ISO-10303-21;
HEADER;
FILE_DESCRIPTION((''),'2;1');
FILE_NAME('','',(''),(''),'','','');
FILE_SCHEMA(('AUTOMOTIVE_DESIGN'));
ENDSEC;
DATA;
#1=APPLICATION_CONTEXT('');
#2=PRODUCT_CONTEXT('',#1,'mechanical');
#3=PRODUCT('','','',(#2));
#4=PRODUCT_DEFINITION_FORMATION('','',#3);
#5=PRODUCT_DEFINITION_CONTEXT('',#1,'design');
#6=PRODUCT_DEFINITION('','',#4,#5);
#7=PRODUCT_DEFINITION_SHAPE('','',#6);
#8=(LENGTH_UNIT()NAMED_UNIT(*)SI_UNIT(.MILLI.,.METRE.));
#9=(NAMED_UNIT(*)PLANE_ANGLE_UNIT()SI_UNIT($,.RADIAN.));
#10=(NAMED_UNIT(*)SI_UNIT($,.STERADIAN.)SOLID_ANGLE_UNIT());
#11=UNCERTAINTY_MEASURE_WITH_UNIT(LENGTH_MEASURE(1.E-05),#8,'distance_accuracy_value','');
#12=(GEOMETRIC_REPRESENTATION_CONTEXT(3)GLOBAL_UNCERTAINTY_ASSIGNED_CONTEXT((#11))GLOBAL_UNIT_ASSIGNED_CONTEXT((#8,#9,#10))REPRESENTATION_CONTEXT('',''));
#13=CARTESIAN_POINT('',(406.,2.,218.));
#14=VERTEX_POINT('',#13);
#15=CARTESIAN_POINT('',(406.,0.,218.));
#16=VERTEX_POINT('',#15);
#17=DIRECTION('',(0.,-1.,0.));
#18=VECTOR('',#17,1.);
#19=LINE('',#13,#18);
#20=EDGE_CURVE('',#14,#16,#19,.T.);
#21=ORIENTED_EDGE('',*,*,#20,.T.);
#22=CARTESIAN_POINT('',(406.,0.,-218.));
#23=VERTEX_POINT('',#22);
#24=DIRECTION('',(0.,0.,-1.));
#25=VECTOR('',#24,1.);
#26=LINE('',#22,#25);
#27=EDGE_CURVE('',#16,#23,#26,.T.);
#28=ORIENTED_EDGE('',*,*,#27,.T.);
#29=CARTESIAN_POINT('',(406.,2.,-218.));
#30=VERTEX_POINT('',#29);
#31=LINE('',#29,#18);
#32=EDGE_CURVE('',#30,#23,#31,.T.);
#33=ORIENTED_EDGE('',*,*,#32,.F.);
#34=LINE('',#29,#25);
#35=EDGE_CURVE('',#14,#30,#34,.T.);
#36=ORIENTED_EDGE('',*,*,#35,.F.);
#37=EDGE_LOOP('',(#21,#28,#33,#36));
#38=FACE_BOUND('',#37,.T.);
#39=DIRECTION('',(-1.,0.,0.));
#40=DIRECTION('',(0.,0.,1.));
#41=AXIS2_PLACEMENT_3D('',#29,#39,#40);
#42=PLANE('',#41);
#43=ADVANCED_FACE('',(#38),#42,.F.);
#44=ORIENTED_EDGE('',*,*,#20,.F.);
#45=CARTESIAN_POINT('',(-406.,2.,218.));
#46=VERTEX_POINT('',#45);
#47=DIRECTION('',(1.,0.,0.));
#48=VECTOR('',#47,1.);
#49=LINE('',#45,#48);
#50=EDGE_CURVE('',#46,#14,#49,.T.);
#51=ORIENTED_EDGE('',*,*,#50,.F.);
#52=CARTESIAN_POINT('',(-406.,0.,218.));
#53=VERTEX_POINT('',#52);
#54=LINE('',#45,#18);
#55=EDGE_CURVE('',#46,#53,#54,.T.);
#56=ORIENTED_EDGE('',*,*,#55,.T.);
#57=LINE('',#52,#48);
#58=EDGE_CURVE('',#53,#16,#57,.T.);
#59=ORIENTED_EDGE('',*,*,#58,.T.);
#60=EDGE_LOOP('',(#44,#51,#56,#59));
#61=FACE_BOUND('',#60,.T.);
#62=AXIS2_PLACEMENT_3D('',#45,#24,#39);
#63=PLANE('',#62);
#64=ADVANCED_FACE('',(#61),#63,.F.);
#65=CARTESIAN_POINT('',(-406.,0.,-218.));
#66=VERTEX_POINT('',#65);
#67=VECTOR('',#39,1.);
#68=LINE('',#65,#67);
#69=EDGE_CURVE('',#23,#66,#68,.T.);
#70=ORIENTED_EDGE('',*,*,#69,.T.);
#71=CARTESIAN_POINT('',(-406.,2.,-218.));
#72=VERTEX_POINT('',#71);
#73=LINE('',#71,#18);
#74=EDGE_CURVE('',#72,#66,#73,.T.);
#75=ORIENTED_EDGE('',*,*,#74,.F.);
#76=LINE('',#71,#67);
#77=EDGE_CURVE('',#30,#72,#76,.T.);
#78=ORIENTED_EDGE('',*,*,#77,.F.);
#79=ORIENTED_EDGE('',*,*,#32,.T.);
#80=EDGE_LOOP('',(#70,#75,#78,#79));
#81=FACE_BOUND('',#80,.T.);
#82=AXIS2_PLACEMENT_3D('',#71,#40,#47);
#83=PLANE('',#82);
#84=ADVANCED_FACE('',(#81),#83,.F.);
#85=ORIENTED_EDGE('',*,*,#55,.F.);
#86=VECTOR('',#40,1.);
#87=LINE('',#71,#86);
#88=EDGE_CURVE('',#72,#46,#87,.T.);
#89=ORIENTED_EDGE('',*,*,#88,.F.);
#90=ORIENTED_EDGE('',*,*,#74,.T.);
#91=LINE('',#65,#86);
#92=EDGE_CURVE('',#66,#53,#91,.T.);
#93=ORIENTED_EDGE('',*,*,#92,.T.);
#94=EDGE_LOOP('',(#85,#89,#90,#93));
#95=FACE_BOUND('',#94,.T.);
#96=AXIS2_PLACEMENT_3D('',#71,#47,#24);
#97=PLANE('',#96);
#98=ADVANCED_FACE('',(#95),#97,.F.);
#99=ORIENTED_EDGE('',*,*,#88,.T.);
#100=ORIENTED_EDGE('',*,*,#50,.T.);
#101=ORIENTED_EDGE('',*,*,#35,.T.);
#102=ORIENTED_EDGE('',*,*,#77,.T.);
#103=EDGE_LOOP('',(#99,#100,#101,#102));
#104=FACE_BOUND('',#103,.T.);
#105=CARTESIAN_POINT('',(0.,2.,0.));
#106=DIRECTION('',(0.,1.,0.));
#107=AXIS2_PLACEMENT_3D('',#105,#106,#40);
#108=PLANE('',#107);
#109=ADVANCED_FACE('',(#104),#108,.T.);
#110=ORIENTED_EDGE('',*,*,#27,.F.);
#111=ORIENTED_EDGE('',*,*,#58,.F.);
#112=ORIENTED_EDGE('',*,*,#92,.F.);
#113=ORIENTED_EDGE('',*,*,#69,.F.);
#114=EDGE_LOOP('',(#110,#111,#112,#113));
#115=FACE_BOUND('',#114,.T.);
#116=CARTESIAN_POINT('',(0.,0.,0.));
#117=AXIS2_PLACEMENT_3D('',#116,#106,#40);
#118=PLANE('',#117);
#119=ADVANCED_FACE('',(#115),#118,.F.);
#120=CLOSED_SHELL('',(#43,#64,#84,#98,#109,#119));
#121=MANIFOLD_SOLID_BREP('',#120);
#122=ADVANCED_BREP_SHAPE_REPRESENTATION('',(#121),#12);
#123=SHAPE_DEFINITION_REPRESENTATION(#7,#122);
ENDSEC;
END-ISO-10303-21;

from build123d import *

# Parameters (mm, degrees)
CROQUIS1_W              = 812
CROQUIS1_H              = 436
SALIENTE_EXTRUIR1_DEPTH = 2


with BuildPart() as part:
    # Croquis1 → Saliente-Extruir1 (new body)
    with BuildSketch(Plane(origin=(0, 0, 0), x_dir=(1, 0, 0), z_dir=(0, 1, 0))):
        Rectangle(CROQUIS1_W, CROQUIS1_H)
    extrude(amount=SALIENTE_EXTRUIR1_DEPTH)


solid = part.part
